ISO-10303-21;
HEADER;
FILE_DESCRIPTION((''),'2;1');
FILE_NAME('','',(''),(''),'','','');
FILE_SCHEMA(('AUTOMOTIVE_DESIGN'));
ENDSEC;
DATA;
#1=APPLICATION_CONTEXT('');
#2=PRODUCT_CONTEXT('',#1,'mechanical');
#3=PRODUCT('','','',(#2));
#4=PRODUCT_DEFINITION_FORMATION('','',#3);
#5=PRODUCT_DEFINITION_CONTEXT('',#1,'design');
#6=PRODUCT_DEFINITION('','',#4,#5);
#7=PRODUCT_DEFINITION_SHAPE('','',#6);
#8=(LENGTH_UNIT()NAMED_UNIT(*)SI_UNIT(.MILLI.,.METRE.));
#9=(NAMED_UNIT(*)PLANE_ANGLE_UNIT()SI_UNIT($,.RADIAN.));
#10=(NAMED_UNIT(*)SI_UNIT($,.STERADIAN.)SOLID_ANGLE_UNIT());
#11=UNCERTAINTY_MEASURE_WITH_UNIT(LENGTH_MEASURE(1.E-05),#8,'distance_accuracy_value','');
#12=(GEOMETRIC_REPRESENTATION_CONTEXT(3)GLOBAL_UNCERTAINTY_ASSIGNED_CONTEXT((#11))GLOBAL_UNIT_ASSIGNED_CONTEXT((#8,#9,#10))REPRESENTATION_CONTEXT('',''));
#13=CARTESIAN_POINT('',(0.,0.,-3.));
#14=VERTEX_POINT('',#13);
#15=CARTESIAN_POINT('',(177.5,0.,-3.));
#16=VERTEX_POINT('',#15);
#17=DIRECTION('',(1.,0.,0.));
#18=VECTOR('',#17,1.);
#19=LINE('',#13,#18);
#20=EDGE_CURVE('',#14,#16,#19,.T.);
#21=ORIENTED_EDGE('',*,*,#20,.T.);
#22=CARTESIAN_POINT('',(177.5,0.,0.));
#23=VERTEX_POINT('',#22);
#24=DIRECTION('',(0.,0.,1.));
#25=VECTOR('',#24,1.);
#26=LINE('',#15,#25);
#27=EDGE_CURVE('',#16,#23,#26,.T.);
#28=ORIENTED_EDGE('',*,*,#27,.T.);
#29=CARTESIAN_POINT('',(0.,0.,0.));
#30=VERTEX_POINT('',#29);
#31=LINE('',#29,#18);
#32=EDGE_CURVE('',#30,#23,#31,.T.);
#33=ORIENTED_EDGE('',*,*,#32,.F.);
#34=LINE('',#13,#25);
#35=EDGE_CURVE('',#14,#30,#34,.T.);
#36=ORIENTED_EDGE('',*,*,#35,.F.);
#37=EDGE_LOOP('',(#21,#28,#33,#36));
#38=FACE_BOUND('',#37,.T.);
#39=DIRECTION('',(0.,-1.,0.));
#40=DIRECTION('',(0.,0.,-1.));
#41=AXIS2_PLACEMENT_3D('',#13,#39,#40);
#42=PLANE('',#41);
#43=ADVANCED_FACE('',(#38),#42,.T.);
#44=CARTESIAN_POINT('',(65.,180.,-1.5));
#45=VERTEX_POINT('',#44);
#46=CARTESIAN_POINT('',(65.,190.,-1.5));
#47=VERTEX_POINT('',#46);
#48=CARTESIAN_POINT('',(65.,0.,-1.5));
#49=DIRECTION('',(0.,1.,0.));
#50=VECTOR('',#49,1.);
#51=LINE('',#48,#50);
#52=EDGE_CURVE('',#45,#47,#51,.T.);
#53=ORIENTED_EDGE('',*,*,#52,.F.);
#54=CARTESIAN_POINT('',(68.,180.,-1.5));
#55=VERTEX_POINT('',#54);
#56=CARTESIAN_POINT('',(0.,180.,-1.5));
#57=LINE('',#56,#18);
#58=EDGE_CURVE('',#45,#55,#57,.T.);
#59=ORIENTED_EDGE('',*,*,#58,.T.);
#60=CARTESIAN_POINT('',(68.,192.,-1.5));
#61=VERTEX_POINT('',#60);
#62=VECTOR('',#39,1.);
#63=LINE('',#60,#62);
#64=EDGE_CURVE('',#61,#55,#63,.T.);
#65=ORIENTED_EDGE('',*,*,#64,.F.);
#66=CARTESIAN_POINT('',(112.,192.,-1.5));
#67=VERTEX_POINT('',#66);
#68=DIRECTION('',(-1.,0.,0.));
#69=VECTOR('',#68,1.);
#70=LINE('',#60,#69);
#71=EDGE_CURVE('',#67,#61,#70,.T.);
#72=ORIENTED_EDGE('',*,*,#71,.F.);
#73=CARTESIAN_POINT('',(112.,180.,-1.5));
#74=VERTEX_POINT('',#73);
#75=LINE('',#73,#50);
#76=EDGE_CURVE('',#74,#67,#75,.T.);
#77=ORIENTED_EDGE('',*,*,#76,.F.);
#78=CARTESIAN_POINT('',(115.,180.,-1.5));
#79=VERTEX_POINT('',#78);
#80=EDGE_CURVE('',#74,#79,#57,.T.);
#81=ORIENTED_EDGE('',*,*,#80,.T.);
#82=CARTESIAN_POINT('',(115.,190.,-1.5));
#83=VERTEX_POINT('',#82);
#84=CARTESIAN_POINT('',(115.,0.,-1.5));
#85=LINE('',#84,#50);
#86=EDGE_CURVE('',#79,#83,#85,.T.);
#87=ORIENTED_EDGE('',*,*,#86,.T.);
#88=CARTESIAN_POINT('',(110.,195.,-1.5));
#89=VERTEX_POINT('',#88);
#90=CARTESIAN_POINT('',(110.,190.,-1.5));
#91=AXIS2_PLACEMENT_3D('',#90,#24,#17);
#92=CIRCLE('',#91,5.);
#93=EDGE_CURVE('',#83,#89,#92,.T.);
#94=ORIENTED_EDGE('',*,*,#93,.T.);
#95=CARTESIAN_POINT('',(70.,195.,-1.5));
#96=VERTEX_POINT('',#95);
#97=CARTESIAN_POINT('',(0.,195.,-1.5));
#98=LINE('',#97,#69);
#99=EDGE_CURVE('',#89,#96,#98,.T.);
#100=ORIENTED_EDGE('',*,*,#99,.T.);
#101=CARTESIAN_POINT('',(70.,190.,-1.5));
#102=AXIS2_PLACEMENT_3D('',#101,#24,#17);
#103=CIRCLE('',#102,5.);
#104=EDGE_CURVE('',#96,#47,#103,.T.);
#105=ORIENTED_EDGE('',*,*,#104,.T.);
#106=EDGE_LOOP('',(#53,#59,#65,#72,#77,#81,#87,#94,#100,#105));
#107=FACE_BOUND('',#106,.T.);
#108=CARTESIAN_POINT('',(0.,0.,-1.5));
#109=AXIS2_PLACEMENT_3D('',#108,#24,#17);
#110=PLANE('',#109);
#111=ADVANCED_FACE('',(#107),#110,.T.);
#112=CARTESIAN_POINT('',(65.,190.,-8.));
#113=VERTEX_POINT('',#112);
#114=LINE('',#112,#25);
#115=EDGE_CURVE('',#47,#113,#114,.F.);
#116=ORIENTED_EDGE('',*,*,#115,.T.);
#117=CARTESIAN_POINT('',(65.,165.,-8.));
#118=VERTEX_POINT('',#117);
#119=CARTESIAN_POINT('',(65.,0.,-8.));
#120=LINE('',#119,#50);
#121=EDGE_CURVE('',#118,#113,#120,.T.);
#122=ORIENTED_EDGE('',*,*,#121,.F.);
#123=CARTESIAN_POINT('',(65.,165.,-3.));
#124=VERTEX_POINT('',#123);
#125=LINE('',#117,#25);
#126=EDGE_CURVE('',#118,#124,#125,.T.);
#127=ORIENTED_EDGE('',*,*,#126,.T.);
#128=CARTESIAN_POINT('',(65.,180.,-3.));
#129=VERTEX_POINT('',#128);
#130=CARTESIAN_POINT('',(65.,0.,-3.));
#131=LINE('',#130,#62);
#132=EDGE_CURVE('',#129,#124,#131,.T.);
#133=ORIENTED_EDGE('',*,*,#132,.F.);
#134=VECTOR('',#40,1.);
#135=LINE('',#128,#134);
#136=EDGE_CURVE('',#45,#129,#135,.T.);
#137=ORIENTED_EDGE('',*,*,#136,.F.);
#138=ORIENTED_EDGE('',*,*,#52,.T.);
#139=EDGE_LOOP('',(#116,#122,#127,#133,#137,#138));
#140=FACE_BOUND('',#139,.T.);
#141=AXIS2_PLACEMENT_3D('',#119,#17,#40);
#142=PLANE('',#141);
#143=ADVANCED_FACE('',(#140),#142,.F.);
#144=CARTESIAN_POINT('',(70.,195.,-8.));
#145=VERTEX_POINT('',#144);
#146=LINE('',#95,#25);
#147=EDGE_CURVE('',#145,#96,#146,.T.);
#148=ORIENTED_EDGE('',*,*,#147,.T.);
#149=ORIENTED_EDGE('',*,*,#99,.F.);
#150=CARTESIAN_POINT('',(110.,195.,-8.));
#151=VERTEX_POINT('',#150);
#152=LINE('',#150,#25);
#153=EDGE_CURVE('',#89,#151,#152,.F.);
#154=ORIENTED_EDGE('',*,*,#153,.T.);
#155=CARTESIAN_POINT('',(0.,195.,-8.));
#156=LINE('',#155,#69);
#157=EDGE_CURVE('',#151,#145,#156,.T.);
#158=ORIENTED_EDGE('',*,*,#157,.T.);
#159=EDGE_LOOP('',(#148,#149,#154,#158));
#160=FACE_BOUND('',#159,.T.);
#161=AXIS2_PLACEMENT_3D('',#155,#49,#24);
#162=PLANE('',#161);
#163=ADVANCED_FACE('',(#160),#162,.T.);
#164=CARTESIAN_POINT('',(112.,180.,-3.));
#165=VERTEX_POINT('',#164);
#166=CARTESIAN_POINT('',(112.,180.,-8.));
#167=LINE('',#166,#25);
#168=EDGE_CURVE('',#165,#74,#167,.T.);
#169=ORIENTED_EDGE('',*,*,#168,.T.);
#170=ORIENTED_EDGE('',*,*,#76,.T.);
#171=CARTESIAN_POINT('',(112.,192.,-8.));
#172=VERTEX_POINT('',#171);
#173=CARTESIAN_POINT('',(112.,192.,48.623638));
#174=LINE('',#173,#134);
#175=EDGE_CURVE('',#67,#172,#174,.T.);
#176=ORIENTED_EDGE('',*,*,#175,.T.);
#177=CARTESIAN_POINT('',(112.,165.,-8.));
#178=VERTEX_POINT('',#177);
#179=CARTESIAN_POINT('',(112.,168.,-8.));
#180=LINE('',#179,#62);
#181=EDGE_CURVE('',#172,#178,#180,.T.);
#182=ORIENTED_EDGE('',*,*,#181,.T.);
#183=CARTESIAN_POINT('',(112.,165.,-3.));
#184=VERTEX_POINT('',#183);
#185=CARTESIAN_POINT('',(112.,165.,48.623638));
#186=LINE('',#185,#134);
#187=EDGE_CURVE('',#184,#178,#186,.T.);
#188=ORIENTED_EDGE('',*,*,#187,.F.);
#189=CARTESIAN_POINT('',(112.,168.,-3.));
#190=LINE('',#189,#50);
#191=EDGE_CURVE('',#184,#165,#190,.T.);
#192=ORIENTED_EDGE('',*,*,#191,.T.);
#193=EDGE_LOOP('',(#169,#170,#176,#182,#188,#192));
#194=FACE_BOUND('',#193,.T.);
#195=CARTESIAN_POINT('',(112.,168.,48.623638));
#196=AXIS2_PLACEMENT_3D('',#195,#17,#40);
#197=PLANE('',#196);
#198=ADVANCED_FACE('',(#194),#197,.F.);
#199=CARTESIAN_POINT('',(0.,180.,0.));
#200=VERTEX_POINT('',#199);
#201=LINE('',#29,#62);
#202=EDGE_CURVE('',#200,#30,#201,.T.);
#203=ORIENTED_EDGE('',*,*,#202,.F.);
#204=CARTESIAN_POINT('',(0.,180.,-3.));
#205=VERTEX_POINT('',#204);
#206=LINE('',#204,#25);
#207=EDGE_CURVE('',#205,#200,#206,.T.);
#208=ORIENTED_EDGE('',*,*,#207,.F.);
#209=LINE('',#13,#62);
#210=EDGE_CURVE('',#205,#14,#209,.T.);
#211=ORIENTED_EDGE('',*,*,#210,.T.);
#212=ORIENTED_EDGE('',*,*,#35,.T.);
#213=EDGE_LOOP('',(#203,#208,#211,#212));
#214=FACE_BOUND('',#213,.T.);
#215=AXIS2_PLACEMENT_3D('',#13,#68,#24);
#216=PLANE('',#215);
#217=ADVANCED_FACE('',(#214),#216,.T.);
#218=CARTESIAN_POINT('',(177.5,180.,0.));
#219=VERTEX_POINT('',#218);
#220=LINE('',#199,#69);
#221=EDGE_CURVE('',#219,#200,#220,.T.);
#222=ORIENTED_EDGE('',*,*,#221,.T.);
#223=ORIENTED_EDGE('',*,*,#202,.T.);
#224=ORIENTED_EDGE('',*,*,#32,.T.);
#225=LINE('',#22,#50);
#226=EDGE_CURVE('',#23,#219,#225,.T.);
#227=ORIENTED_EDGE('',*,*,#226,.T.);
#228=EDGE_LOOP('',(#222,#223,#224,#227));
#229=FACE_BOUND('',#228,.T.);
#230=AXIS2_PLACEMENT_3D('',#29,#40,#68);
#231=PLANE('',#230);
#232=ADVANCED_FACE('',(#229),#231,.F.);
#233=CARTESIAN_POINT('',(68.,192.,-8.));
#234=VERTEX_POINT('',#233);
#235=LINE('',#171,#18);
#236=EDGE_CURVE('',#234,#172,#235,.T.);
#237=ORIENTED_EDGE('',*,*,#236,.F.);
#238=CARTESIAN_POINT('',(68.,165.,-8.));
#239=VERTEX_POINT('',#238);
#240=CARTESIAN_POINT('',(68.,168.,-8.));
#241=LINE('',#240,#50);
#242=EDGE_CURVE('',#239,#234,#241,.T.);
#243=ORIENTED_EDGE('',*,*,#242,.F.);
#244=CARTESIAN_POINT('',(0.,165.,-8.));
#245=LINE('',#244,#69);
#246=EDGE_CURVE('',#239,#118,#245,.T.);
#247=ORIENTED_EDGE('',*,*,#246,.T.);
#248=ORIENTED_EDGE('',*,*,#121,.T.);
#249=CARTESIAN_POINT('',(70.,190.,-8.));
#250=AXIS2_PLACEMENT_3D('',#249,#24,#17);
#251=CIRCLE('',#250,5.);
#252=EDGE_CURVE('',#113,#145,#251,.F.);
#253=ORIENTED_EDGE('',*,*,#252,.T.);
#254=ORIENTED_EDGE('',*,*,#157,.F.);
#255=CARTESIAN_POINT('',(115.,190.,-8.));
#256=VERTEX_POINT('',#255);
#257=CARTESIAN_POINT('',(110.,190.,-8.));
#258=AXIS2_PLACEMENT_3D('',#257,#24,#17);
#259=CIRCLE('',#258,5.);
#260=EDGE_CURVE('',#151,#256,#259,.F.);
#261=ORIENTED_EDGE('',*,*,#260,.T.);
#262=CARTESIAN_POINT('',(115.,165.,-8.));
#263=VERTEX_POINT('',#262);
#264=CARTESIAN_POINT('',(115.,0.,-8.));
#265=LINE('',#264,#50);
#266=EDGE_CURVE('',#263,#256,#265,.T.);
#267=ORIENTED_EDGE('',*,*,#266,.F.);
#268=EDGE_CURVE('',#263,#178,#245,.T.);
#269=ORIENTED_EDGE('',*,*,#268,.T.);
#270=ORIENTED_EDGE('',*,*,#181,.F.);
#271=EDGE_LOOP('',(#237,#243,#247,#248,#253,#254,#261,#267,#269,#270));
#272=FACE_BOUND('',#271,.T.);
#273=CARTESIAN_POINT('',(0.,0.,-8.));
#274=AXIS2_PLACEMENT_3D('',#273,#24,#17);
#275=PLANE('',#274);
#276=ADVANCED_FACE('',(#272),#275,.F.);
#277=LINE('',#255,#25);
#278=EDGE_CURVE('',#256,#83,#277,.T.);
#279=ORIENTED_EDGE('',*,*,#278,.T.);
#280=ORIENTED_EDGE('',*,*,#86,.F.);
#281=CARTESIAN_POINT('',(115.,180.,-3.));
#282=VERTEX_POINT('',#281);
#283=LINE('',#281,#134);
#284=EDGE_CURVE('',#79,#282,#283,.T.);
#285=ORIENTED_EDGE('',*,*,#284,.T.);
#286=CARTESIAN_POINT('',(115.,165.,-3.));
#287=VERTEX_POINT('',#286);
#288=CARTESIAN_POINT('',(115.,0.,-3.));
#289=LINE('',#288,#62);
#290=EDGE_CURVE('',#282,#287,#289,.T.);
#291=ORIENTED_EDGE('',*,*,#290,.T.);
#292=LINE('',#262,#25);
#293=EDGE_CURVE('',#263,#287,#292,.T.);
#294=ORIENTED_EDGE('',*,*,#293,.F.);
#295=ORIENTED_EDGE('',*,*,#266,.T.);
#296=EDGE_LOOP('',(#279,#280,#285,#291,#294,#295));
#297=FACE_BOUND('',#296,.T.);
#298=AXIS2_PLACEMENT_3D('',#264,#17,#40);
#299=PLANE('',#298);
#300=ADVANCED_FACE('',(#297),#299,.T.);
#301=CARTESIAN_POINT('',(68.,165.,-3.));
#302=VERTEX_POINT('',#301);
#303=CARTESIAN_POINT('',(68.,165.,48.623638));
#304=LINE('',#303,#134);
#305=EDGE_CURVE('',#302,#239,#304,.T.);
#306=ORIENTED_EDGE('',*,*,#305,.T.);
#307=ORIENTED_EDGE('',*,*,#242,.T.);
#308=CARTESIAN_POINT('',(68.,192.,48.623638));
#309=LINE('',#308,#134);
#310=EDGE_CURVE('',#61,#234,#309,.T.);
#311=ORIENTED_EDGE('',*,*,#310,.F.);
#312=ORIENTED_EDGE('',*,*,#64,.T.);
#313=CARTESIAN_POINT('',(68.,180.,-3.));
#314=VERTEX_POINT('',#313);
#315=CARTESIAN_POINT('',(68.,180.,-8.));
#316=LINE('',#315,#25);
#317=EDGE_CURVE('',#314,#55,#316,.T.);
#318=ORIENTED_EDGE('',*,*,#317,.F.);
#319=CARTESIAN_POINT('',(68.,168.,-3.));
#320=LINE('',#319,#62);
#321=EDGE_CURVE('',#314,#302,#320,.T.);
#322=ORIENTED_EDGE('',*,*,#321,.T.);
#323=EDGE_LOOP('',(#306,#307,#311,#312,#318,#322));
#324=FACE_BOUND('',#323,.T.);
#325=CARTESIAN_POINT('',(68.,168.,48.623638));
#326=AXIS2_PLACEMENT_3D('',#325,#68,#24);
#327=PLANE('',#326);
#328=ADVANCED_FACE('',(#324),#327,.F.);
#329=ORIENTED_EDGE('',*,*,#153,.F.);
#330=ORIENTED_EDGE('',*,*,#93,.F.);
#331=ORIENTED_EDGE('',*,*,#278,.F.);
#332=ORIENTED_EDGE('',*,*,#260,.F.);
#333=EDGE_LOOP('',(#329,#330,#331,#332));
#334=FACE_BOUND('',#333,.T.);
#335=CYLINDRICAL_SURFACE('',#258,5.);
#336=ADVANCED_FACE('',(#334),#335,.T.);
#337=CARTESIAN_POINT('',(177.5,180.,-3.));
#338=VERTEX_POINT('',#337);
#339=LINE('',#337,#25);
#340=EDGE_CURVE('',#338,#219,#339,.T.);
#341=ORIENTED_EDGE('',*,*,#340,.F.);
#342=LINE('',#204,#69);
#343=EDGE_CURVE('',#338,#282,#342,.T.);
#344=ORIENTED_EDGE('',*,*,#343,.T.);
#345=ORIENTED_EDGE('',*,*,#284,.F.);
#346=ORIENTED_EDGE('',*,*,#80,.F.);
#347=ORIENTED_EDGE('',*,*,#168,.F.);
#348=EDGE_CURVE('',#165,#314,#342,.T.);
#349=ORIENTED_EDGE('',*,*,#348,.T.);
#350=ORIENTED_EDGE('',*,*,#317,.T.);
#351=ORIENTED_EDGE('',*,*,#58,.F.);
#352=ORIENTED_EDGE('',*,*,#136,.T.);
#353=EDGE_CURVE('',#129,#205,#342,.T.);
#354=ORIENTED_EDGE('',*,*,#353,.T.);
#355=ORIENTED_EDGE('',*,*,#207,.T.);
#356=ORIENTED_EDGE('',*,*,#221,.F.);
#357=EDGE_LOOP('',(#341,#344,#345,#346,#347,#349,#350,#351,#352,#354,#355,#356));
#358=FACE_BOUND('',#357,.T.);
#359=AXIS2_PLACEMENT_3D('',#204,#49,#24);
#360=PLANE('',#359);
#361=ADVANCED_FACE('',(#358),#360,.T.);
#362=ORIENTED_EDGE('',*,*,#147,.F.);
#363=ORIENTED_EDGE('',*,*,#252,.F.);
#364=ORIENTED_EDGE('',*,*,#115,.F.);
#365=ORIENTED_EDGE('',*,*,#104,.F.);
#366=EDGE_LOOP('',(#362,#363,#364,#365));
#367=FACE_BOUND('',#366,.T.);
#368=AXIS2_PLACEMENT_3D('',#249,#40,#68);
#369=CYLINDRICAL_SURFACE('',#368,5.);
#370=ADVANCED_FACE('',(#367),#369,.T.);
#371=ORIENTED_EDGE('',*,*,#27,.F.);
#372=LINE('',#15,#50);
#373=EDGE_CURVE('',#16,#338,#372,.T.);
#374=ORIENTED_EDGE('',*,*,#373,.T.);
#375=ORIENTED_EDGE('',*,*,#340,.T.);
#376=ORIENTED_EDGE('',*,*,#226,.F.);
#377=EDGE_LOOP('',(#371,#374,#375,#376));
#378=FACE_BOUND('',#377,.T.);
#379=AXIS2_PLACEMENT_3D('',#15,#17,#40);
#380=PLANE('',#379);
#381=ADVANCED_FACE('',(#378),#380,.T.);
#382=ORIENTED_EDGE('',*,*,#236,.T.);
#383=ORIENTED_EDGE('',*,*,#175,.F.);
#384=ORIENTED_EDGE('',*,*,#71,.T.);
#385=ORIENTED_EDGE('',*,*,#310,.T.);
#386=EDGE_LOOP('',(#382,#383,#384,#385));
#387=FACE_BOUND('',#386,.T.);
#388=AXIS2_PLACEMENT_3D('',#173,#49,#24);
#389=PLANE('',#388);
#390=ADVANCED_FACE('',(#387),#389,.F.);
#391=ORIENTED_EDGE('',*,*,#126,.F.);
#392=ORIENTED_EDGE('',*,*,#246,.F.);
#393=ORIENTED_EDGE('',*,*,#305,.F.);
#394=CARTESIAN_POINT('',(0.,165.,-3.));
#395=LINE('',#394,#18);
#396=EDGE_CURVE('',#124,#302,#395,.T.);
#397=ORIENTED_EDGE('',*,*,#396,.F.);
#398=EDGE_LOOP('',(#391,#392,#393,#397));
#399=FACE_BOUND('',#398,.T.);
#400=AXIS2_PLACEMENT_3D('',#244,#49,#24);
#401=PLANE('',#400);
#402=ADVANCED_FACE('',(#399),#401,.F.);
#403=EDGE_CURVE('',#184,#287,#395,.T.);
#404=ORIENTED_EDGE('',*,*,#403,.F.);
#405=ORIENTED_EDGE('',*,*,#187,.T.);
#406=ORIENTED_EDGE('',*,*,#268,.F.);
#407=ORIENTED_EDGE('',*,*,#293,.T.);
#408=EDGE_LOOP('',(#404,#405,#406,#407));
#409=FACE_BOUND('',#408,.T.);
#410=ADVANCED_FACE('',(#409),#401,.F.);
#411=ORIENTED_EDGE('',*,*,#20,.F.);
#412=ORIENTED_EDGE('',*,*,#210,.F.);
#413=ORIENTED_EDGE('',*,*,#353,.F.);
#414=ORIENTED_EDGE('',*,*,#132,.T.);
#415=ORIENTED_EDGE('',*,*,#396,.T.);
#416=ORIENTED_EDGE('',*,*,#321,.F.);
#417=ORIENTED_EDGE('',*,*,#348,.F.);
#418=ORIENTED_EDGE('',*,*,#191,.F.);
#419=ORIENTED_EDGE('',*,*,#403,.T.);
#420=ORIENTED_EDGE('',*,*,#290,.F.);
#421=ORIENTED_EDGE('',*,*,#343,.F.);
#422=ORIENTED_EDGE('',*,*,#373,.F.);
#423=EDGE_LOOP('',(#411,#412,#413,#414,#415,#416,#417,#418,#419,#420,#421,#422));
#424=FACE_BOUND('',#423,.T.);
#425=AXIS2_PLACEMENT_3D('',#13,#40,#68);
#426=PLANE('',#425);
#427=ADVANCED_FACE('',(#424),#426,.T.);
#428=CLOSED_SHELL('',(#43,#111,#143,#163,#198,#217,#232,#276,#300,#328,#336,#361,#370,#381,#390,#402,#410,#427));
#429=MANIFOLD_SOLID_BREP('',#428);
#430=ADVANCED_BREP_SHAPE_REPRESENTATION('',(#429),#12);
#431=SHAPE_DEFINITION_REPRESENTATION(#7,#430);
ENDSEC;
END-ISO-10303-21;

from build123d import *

# Parameters (mm, degrees)
SKETCH2_W           = 177.5
SKETCH2_H           = 180
BOSS_EXTRUDE1_DEPTH = 3
SKETCH4_W           = 50
SKETCH4_H           = 30
BOSS_EXTRUDE2_DEPTH = 6.5
CUT_EXTRUDE1_DEPTH  = 5
SKETCH6_W           = 44
SKETCH6_H           = 12
CUT_EXTRUDE2_DEPTH  = 6.5
FILLET1_R           = 5
FILLET2_R           = 5


with BuildPart() as part:
    # Sketch2 → Boss-Extrude1 (new body)
    with BuildSketch(Plane.XY):
        with Locations((88.75, 90)):
            Rectangle(SKETCH2_W, SKETCH2_H)
    extrude(amount=-BOSS_EXTRUDE1_DEPTH)

    # Sketch4 → Boss-Extrude2 (add)
    with BuildSketch(Plane.XY.offset(-1.5)):
        with Locations((90, 180)):
            Rectangle(SKETCH4_W, SKETCH4_H)
    extrude(amount=-BOSS_EXTRUDE2_DEPTH)

    # Sketch5 → Cut-Extrude1 (cut)
    with BuildSketch(Plane(origin=(0, 0, -8), x_dir=(-1, 0, 0), z_dir=(0, 0, -1))):
        Polygon((-112, 168), (-112, 165), (-68, 165), (-68, 168), (-68, 192), (-112, 192), align=None)
    extrude(amount=-CUT_EXTRUDE1_DEPTH, mode=Mode.SUBTRACT)

    # Sketch6 → Cut-Extrude2 (cut)
    with BuildSketch(Plane.XY.offset(-1.5)):
        with Locations((90, 186)):
            Rectangle(SKETCH6_W, SKETCH6_H)
    extrude(amount=-CUT_EXTRUDE2_DEPTH, mode=Mode.SUBTRACT)

    # Fillet1
    fillet1_edges = [part.edges().sort_by_distance(p)[0] for p in [
        (115, 195, -4.75),
    ]]
    fillet(fillet1_edges, radius=FILLET1_R)

    # Fillet2
    fillet2_edges = [part.edges().sort_by_distance(p)[0] for p in [
        (65, 195, -4.75),
    ]]
    fillet(fillet2_edges, radius=FILLET2_R)


solid = part.part
